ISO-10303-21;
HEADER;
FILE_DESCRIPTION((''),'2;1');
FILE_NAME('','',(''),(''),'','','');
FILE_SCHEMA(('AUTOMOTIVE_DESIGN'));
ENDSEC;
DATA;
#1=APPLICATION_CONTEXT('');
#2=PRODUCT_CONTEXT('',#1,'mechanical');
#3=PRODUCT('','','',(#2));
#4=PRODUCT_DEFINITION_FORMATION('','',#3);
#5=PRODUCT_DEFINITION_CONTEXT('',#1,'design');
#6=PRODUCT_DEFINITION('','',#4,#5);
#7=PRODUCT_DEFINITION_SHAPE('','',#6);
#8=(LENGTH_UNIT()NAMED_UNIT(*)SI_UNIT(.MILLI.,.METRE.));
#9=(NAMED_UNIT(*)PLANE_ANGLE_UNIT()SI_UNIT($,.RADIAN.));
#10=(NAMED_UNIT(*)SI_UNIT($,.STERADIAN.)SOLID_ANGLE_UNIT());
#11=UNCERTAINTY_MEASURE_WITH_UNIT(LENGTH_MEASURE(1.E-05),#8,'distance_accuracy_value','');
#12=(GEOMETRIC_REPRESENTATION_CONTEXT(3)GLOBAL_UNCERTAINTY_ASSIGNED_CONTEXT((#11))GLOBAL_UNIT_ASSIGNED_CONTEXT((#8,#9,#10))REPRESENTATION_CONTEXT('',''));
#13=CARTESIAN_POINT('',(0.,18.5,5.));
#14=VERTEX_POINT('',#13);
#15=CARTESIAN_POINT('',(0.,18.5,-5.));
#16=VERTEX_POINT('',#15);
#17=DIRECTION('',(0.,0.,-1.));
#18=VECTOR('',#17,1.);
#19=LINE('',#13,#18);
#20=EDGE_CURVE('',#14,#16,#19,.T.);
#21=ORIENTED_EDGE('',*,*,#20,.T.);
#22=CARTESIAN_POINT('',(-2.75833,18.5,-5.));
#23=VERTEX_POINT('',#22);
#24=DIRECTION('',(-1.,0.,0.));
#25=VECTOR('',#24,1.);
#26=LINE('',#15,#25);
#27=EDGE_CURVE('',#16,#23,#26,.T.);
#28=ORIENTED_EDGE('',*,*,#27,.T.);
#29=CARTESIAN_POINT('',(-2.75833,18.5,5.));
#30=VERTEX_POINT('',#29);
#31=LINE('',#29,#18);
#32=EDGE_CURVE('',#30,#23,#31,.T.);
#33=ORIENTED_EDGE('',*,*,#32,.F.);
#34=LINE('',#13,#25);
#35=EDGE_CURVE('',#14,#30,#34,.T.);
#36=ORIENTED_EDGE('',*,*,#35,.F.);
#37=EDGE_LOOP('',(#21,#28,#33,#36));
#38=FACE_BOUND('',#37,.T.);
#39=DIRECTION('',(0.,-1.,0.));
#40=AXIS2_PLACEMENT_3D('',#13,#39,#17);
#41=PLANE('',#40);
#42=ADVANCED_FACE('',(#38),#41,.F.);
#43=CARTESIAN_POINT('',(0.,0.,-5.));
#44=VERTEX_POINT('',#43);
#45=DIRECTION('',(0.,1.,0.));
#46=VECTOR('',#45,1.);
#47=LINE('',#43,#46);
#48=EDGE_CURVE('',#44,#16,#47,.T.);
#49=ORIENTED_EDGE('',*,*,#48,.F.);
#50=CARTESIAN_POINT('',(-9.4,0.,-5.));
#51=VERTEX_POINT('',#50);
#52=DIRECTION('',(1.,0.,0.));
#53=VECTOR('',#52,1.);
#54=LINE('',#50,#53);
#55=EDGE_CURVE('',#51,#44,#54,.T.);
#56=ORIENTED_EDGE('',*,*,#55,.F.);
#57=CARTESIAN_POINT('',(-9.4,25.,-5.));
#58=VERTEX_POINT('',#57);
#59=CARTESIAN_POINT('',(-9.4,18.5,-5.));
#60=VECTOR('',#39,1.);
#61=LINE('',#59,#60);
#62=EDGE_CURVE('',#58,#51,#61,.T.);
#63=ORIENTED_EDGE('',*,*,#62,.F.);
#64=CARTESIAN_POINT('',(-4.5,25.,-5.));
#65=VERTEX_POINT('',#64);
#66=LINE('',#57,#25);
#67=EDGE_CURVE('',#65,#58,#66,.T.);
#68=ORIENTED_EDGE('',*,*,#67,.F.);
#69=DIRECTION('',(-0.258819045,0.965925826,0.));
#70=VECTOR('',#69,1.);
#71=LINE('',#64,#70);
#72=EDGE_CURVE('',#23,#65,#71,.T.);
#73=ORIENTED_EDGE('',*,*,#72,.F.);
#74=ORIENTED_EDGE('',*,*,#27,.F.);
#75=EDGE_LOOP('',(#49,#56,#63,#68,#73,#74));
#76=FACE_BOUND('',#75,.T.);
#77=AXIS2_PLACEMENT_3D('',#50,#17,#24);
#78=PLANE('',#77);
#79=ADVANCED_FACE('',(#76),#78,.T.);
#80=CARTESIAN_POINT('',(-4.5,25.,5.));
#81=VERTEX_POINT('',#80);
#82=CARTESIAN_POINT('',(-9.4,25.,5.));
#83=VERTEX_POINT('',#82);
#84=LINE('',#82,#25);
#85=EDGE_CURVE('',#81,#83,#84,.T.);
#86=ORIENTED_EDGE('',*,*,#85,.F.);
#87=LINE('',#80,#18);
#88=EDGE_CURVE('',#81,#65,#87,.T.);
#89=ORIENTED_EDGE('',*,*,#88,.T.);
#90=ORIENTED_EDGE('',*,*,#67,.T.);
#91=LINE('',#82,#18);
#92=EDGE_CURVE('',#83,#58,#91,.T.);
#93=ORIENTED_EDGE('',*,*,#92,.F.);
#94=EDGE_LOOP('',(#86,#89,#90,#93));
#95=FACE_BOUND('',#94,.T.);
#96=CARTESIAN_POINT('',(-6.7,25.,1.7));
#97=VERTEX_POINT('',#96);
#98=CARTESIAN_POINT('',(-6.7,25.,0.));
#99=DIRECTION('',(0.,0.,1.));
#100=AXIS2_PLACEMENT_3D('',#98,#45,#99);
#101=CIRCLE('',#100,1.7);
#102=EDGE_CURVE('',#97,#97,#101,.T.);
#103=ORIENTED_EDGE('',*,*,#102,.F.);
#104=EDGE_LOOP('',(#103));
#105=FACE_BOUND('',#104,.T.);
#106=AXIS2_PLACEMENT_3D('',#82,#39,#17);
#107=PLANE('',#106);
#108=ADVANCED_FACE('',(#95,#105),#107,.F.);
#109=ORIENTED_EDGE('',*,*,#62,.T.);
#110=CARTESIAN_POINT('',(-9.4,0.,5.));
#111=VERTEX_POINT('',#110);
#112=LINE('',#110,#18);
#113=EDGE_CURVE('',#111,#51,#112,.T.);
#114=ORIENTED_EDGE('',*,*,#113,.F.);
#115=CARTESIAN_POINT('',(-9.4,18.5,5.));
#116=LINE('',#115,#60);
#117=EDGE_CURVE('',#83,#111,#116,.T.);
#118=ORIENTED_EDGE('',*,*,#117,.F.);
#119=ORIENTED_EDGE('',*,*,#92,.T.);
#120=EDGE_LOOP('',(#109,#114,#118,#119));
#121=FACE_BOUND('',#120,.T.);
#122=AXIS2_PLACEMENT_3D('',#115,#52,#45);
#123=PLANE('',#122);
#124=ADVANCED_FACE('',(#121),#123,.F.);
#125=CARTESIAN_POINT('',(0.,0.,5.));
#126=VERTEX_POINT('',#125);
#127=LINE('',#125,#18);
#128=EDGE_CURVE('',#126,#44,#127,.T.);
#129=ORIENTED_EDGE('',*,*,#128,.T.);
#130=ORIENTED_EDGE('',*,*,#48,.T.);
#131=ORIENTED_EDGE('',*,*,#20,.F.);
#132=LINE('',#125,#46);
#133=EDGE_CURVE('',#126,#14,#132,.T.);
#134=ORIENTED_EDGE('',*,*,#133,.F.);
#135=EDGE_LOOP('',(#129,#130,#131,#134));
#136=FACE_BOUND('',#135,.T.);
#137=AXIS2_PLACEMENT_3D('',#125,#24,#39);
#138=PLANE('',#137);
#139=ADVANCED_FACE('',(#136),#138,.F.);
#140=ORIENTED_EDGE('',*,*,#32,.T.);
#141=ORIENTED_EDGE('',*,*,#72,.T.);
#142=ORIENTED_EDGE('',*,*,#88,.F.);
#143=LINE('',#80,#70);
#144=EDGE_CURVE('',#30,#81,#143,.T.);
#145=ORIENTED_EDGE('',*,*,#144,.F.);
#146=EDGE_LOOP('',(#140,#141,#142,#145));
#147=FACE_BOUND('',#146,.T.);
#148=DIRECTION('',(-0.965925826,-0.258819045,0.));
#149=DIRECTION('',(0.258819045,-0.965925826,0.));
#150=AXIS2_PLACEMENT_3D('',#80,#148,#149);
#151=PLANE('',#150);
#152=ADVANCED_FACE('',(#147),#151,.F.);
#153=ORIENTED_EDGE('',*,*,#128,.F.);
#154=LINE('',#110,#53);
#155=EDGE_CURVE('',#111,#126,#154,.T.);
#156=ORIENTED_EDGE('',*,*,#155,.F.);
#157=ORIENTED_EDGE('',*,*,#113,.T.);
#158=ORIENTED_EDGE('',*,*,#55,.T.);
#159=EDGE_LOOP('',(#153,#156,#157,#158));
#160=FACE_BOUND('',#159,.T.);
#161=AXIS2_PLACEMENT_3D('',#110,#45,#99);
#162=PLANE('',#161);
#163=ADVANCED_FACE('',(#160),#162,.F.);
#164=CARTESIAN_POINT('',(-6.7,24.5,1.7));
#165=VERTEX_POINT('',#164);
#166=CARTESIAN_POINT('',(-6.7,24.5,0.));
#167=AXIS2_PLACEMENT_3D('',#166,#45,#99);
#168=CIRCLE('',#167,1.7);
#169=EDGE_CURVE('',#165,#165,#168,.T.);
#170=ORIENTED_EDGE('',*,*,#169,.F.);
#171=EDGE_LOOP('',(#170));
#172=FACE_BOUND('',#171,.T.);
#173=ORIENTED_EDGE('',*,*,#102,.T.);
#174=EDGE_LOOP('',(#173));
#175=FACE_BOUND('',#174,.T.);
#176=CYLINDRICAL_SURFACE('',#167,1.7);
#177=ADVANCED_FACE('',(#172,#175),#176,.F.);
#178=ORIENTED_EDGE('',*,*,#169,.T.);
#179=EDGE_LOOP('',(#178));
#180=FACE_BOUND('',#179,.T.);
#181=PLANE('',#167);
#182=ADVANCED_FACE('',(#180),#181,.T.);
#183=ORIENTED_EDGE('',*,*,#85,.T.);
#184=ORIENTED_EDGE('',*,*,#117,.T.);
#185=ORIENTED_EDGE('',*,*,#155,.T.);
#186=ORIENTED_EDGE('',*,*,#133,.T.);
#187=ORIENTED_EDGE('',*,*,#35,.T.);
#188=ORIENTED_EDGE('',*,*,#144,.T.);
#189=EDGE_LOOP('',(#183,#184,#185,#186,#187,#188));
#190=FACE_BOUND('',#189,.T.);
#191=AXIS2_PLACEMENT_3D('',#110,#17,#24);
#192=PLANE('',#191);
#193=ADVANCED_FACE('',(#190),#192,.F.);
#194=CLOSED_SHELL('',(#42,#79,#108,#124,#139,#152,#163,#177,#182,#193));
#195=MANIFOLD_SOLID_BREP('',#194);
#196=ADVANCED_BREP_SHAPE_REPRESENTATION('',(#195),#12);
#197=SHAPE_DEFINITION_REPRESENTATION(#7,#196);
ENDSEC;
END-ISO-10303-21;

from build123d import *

# Parameters (mm, degrees)
BASE_SKETCH_W          = 9.4
BASE_SKETCH_H          = 18.5
BASE_DEPTH             = 5
BASE_TOP_DEPTH         = 5
MAN_OP_CUTOUT_SKETCH_R = 1.7
MAN_OP_CUTOUT_DEPTH    = 0.5


with BuildPart() as part:
    # Base Sketch → Base (new, symmetric)
    with BuildSketch(Plane.XY):
        with Locations((-4.7, 9.25)):
            Rectangle(BASE_SKETCH_W, BASE_SKETCH_H)
    extrude(amount=BASE_DEPTH, both=True)

    # Base Top Sketch → Base Top (add, symmetric)
    with BuildSketch(Plane.XY):
        Polygon((-2.758330249, 18.5), (-9.4, 18.5), (-9.4, 25), (-4.5, 25), align=None)
    extrude(amount=BASE_TOP_DEPTH, both=True)

    # Man-op cutout sketch → Man-op cutout (cut)
    with BuildSketch(Plane(origin=(0, 25, 0), x_dir=(-1, 0, 0), z_dir=(0, 1, 0))):
        with Locations(Location((6.7, 0, 0), (0, 0, 90))):
            Circle(MAN_OP_CUTOUT_SKETCH_R)
    extrude(amount=-MAN_OP_CUTOUT_DEPTH, mode=Mode.SUBTRACT)


solid = part.part
